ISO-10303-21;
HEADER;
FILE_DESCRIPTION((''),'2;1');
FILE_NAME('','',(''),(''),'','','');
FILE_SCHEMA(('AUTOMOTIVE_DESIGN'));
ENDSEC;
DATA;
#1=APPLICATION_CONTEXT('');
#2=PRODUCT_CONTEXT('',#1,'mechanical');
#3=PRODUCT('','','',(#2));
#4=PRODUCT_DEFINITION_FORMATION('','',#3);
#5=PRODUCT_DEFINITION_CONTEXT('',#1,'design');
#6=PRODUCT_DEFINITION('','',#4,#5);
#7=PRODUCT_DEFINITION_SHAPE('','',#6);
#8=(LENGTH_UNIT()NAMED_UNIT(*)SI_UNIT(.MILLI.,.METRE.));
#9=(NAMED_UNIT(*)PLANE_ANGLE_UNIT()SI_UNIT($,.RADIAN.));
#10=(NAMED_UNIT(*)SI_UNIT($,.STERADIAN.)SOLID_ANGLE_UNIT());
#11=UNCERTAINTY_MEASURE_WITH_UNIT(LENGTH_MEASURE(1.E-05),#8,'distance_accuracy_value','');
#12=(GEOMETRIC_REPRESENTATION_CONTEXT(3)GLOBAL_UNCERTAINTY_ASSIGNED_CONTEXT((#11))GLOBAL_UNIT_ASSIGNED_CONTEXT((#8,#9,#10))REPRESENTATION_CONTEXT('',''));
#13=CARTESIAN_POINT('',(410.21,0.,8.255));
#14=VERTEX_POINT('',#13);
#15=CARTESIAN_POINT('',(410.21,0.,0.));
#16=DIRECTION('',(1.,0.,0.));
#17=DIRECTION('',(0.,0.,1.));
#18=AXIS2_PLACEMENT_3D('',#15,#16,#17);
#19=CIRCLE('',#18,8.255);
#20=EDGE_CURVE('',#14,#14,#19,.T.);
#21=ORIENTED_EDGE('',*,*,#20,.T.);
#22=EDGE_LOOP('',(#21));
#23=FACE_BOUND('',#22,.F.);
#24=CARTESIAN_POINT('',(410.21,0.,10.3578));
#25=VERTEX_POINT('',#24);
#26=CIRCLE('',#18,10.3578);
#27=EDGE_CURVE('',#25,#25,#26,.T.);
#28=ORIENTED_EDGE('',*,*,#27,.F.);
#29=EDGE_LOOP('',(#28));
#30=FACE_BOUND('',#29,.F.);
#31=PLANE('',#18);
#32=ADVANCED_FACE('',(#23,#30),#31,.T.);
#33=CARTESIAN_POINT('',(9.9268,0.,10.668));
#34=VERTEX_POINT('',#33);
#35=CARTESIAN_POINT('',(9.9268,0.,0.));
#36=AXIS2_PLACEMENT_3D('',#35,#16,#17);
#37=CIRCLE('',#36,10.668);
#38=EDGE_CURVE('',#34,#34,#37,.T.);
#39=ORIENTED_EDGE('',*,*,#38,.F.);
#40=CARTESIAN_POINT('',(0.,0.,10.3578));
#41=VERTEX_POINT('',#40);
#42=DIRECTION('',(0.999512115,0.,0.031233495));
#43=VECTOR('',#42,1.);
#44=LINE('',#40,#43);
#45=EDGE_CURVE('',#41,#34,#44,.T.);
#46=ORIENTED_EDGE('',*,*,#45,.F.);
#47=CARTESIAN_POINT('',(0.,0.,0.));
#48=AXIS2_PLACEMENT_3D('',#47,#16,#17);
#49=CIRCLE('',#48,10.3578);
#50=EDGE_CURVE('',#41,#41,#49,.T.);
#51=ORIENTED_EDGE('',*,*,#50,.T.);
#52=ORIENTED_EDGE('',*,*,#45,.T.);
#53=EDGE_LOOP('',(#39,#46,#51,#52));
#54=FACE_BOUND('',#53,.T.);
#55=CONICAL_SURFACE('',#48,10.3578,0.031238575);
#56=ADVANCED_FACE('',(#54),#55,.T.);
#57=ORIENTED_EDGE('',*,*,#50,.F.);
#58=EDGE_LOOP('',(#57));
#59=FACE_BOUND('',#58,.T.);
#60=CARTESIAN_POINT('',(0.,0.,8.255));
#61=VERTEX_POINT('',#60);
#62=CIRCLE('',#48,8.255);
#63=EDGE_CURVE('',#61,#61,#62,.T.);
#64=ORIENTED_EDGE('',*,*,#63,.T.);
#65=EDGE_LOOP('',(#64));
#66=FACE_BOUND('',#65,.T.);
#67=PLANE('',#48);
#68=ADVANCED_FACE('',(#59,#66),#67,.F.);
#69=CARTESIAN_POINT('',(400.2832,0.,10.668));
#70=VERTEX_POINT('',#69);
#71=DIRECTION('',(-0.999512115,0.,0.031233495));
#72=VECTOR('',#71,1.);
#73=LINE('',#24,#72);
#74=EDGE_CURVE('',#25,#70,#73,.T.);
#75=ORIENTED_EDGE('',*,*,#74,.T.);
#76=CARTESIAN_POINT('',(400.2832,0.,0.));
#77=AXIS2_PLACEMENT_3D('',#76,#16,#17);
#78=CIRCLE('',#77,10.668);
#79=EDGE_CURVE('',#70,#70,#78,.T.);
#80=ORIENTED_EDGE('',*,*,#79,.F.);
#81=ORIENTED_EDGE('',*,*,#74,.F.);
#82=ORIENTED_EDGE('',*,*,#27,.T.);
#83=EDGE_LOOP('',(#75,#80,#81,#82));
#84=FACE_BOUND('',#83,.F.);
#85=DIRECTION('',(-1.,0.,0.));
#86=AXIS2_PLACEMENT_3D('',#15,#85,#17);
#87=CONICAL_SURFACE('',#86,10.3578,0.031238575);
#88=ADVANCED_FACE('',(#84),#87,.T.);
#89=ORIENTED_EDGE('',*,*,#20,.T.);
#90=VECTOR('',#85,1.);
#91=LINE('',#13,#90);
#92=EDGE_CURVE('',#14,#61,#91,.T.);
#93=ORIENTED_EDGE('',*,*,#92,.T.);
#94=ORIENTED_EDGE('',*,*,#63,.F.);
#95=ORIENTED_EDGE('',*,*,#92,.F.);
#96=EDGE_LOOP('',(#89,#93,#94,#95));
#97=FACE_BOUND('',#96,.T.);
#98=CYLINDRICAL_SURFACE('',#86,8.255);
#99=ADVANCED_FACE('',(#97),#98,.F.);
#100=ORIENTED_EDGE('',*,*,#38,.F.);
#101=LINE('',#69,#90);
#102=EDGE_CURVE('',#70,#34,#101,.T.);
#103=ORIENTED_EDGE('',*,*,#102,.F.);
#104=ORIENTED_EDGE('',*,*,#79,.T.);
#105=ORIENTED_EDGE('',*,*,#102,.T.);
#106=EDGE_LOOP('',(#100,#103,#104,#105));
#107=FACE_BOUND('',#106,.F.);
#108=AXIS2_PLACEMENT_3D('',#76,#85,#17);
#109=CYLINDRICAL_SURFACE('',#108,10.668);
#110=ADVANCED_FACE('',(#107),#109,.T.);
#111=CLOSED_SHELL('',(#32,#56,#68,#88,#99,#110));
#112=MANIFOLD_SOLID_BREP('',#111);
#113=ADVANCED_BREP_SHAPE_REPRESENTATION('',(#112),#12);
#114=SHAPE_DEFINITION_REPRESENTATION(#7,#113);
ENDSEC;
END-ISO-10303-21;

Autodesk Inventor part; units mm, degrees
ref_plane "YZ Plane" through (0, 0, 0) normal (1, 0, 0) x (0, 1, 0)
ref_plane "XZ Plane" through (0, 0, 0) normal (0, 1, 0) x (-1, 0, 0)
ref_plane "XY Plane" through (0, 0, 0) normal (0, 0, 1) x (1, 0, 0)
sketch "Sketch1" plane through (0, 0, 0) normal (0, 1, 0) x (-1, 0, 0)
  line L0 (0, 0) -> (-410.21, 0)
  line L1 (-410.21, 0) -> (-410.21, 8.255) construction
  line L2 (-410.21, 8.255) -> (-410.21, 10.3578)
  line L3 (-410.21, 10.3578) -> (-400.2832, 10.668)
  line L4 (-400.2832, 10.668) -> (-9.9268, 10.668)
  line L5 (-205.105, 0) -> (-205.105, 10.668) construction
  line L6 (-410.21, 8.255) -> (0, 8.255)
  line L7 (0, 0) -> (0, 8.255) construction
  line L8 (0, 8.255) -> (0, 10.3578)
  line L9 (0, 10.3578) -> (-9.9268, 10.668)
  line L10 (-396.654, 10.7814) -> (-396.654, 0) construction
  line L11 (-13.556, 10.7814) -> (-13.556, 0) construction
  line L12 (-400.2832, 10.668) -> (-396.654, 10.7814) construction
  line L13 (-400.2832, 10.668) -> (-400.2832, 0) construction
  line L14 (-9.9268, 10.668) -> (-13.556, 10.7814) construction
  line L15 (-9.9268, 10.668) -> (-9.9268, 0) construction
  dimension "d0" = 21.336
  dimension "d1" = 1.79
  dimension "d2" = 16.51
  dimension "d3" = 410.21
  dimension "d4" = 13.556
  dimension "d5" = 21.5628
revolve "Revolution1" add sketch "Sketch1" angle 360 about axis through (0, 0, 0) along (1, 0, 0)
thread "Thread1" size "1/2" designation "1/2 - 14 NPT" standard "NPT" full length
thread "Thread2" size "1/2" designation "1/2 - 14 NPT" standard "NPT" full length
equation "\"d0\" = OD"
equation "\"d2\" = ID"
equation "\"d3\" = L"
equation "\"d4\" = L2"
equation "\"d5\" = D2"
equation "\"OD\" = 21.336"
equation "\"t\" = 2.413"
equation "\"L\" = PL"
equation "\"L4\" = 19.8501"
equation "\"ID\" = 16.51"
equation "\"PL\" = 410.21"
equation "\"D2\" = 21.56282"
equation "\"L2\" = 13.55598"
equation "\"Size_Designation\" = 1.2345"
equation "\"PLmin\" = 2 * L2"
properties material "Steel, Wrought"
